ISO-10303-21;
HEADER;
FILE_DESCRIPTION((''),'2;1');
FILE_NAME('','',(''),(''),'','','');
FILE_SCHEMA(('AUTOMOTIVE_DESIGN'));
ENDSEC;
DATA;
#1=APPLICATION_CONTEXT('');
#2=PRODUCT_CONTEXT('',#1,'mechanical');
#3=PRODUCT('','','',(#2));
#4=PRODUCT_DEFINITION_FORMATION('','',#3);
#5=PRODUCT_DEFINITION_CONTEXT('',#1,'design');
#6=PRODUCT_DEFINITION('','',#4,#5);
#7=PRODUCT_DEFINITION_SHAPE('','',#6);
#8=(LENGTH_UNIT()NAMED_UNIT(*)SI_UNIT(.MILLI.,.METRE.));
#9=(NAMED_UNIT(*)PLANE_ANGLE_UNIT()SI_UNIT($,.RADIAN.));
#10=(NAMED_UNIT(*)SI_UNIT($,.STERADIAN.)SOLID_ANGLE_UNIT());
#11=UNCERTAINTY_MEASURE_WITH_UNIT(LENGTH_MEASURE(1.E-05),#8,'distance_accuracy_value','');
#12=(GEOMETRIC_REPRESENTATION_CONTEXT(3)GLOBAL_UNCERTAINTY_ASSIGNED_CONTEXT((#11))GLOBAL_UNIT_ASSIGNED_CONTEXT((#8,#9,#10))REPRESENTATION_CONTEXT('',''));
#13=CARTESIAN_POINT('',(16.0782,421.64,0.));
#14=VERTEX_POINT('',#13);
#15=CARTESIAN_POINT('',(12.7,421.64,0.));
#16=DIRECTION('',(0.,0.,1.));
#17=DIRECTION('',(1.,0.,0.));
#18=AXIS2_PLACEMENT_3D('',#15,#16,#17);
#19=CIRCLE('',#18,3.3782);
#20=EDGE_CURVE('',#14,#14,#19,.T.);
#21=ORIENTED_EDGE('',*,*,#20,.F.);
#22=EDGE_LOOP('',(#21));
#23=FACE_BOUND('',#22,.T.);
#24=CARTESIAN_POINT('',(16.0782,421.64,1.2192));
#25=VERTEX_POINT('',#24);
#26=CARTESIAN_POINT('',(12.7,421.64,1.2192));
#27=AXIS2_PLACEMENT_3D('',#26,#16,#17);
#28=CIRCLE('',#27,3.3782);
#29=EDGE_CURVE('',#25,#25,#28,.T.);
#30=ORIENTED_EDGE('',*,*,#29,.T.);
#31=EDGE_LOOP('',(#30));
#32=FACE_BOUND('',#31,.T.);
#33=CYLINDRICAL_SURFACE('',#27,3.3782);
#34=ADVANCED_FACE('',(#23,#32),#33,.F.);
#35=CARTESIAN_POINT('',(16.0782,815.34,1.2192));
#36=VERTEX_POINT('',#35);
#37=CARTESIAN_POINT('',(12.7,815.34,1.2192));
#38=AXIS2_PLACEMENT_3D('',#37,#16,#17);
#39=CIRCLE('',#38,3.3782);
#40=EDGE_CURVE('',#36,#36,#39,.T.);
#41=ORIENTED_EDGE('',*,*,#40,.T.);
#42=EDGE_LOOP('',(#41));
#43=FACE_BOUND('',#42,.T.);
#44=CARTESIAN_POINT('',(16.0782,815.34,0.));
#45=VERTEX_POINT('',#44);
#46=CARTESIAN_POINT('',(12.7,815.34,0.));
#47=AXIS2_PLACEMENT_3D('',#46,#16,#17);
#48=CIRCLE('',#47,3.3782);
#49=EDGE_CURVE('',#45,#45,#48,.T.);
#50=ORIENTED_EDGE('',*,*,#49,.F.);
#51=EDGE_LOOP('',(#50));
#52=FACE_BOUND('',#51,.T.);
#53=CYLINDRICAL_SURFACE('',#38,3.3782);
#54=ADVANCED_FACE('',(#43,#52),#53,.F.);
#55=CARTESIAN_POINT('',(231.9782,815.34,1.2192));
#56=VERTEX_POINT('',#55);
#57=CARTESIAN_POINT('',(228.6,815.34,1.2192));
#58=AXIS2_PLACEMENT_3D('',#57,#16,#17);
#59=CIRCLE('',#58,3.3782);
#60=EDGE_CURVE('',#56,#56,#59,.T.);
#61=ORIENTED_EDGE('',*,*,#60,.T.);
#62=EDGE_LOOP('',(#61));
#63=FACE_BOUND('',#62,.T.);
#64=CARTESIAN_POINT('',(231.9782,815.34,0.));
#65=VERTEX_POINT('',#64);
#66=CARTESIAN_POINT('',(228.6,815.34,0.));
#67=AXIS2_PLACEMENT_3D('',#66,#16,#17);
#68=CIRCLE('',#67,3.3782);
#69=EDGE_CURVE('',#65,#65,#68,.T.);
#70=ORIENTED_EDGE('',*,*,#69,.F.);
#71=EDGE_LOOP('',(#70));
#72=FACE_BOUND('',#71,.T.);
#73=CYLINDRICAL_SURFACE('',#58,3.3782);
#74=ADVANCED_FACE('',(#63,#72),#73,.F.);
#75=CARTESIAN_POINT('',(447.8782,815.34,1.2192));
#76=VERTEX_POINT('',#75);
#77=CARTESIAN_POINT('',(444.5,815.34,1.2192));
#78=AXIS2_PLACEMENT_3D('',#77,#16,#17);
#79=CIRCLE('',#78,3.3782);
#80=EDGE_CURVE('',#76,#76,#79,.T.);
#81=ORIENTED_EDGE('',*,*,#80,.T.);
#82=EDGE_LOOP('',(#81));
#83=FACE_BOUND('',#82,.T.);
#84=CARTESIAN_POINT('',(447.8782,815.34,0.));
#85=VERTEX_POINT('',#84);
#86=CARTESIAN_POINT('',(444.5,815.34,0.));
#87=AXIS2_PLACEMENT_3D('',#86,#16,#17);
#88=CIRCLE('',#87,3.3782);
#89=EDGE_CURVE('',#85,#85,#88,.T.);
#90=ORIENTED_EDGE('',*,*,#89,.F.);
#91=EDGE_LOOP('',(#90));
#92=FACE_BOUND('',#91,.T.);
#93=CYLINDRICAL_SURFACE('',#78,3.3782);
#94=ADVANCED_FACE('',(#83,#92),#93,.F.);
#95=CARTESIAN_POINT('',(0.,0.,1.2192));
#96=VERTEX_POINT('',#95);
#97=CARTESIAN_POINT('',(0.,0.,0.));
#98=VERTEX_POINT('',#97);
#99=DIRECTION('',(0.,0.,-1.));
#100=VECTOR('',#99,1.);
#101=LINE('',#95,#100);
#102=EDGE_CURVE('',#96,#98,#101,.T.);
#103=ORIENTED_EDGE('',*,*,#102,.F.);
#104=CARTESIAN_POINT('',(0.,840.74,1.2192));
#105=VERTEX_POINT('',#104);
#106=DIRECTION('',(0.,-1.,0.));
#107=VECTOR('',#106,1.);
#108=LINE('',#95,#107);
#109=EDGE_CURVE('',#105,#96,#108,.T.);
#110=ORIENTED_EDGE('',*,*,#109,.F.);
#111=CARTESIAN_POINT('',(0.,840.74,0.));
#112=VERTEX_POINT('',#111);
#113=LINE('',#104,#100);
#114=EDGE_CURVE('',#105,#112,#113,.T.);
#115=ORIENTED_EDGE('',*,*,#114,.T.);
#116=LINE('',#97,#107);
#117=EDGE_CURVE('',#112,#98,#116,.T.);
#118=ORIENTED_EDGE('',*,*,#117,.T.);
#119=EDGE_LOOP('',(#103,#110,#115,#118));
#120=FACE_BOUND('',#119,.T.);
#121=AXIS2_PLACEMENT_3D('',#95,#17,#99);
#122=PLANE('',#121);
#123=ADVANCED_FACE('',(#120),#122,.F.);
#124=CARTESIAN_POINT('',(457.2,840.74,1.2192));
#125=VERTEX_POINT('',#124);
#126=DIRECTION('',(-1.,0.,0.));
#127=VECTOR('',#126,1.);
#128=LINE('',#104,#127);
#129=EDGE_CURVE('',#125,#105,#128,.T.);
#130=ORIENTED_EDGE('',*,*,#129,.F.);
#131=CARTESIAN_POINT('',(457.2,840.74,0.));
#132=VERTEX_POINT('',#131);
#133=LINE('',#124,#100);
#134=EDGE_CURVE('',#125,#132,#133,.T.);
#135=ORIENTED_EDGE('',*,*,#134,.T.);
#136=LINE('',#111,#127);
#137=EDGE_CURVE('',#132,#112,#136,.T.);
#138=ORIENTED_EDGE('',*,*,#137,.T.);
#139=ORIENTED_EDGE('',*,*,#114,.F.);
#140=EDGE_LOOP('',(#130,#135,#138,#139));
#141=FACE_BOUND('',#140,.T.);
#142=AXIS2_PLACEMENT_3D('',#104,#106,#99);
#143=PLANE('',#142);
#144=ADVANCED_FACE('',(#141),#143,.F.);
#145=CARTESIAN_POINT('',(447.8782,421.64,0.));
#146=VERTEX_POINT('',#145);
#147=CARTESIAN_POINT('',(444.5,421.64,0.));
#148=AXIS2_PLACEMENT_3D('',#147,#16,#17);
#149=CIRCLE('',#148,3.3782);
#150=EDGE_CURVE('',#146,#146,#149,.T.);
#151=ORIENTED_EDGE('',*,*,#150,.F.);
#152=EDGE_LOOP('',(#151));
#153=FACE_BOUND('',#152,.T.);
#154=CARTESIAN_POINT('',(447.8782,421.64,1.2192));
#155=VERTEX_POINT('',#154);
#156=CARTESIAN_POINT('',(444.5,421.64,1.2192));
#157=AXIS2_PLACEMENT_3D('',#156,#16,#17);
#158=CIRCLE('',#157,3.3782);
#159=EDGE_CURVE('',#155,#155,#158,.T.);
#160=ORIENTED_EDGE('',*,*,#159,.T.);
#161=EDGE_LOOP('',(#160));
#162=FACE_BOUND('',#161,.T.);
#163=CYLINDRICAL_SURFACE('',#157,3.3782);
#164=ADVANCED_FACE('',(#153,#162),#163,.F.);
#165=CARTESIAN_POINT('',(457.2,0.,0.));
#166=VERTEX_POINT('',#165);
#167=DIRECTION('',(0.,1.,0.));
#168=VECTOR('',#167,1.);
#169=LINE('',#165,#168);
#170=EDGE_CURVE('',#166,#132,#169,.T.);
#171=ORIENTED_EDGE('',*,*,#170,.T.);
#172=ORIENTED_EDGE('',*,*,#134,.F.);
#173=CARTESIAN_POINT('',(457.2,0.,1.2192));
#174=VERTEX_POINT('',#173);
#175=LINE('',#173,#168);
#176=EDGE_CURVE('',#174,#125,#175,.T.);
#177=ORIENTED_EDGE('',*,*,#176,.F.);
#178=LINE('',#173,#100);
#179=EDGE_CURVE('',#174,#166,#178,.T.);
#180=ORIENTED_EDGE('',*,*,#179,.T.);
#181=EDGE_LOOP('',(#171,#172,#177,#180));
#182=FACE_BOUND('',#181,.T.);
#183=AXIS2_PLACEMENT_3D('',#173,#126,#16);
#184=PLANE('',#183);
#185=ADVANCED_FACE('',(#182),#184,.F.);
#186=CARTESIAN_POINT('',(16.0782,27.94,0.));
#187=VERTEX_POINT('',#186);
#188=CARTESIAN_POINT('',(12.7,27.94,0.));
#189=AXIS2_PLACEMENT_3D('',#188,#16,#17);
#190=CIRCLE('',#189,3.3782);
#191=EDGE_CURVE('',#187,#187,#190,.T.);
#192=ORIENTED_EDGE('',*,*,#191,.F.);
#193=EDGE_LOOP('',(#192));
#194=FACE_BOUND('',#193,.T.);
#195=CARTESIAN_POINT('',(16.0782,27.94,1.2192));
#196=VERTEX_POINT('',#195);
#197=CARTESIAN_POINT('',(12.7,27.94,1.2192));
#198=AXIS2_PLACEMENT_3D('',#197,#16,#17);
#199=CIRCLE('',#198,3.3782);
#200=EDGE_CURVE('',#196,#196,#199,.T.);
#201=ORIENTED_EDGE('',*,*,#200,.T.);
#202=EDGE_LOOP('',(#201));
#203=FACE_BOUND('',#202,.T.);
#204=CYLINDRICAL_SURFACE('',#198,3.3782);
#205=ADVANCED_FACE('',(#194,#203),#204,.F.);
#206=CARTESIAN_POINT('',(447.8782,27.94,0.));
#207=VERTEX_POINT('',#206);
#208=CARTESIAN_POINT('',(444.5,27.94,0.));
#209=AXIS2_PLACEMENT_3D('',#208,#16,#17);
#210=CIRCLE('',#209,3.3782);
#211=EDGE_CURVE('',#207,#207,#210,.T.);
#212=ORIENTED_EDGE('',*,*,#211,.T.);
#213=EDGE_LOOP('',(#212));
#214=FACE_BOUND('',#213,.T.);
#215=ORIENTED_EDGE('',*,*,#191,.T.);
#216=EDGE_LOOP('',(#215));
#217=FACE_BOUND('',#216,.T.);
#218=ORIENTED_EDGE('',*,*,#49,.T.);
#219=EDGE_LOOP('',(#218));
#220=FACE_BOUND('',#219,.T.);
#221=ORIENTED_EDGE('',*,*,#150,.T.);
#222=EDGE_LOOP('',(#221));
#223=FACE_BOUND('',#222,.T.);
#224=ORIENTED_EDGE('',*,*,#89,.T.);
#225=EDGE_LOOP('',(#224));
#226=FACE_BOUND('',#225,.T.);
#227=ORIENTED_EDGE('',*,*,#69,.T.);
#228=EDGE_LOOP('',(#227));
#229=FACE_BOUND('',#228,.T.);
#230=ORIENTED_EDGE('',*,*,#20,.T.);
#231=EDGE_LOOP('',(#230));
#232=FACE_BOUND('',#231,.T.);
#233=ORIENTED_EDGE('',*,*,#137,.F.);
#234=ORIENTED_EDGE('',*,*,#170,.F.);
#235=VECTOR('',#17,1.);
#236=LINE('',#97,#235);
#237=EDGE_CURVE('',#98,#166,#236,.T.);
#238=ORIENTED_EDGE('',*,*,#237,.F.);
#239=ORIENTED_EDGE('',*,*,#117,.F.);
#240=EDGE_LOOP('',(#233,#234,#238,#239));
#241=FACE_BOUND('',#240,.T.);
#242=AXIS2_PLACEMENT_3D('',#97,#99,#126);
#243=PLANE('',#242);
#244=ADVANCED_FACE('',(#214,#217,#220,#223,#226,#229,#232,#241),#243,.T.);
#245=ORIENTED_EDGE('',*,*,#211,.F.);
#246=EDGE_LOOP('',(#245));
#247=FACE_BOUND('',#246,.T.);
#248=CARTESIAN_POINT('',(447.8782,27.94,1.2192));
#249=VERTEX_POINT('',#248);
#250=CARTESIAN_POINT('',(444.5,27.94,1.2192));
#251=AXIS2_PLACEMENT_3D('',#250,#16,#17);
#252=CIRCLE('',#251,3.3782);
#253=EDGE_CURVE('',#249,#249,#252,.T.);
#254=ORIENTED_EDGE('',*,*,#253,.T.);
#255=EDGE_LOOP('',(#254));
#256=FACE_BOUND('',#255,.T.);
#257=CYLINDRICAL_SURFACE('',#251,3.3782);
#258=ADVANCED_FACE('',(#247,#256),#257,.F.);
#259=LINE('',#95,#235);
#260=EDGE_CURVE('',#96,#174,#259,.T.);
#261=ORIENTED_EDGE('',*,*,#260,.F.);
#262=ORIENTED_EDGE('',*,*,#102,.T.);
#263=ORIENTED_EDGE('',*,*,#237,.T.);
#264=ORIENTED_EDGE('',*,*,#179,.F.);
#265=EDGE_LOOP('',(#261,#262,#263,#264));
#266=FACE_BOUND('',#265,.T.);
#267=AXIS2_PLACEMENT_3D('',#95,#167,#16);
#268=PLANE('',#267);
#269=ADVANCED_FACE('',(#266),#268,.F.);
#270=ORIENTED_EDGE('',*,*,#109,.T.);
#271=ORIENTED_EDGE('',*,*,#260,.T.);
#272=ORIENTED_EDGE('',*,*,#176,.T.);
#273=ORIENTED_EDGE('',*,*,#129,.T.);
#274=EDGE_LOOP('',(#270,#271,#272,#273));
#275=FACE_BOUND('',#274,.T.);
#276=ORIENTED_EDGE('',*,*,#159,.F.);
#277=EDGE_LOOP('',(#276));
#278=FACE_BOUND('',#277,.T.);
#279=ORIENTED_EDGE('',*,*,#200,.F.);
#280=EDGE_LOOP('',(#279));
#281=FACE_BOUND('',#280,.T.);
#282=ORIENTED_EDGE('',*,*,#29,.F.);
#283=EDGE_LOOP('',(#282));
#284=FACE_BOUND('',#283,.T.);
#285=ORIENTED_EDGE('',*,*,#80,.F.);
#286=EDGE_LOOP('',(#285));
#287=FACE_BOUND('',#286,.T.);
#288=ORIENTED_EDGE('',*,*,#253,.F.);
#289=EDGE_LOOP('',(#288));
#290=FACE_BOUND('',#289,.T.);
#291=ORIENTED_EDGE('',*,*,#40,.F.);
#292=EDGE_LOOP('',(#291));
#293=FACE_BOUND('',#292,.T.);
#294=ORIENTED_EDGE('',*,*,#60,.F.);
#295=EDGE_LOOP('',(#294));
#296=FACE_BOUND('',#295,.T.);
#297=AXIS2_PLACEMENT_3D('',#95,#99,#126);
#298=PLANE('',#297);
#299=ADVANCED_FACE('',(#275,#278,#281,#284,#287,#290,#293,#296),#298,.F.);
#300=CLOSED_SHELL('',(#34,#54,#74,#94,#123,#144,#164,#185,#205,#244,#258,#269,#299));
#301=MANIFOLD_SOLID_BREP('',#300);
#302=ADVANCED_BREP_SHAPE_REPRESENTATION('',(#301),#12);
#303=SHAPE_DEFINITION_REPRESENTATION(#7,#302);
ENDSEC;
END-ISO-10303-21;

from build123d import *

# Parameters (mm, degrees)
SKETCH1_W               = 457.2
SKETCH1_H               = 840.74
BOSS_EXTRUDE1_DEPTH     = 1.2192
F_1_4_CLEARANCE_HOLE1_D = 6.7564


with BuildPart() as part:
    # Sketch1 → Boss-Extrude1 (new body)
    with BuildSketch(Plane.XY):
        with Locations((228.6, 420.37)):
            Rectangle(SKETCH1_W, SKETCH1_H)
    extrude(amount=BOSS_EXTRUDE1_DEPTH)

    # 1/4 Clearance Hole1 (through all)
    with Locations(Plane.XY.offset(1.2192)):
        with Locations((12.7, 815.34), (228.6, 815.34), (444.5, 815.34), (444.5, 421.64), (12.7, 421.64), (12.7, 27.94), (444.5, 27.94)):
            Hole(F_1_4_CLEARANCE_HOLE1_D / 2)


solid = part.part
